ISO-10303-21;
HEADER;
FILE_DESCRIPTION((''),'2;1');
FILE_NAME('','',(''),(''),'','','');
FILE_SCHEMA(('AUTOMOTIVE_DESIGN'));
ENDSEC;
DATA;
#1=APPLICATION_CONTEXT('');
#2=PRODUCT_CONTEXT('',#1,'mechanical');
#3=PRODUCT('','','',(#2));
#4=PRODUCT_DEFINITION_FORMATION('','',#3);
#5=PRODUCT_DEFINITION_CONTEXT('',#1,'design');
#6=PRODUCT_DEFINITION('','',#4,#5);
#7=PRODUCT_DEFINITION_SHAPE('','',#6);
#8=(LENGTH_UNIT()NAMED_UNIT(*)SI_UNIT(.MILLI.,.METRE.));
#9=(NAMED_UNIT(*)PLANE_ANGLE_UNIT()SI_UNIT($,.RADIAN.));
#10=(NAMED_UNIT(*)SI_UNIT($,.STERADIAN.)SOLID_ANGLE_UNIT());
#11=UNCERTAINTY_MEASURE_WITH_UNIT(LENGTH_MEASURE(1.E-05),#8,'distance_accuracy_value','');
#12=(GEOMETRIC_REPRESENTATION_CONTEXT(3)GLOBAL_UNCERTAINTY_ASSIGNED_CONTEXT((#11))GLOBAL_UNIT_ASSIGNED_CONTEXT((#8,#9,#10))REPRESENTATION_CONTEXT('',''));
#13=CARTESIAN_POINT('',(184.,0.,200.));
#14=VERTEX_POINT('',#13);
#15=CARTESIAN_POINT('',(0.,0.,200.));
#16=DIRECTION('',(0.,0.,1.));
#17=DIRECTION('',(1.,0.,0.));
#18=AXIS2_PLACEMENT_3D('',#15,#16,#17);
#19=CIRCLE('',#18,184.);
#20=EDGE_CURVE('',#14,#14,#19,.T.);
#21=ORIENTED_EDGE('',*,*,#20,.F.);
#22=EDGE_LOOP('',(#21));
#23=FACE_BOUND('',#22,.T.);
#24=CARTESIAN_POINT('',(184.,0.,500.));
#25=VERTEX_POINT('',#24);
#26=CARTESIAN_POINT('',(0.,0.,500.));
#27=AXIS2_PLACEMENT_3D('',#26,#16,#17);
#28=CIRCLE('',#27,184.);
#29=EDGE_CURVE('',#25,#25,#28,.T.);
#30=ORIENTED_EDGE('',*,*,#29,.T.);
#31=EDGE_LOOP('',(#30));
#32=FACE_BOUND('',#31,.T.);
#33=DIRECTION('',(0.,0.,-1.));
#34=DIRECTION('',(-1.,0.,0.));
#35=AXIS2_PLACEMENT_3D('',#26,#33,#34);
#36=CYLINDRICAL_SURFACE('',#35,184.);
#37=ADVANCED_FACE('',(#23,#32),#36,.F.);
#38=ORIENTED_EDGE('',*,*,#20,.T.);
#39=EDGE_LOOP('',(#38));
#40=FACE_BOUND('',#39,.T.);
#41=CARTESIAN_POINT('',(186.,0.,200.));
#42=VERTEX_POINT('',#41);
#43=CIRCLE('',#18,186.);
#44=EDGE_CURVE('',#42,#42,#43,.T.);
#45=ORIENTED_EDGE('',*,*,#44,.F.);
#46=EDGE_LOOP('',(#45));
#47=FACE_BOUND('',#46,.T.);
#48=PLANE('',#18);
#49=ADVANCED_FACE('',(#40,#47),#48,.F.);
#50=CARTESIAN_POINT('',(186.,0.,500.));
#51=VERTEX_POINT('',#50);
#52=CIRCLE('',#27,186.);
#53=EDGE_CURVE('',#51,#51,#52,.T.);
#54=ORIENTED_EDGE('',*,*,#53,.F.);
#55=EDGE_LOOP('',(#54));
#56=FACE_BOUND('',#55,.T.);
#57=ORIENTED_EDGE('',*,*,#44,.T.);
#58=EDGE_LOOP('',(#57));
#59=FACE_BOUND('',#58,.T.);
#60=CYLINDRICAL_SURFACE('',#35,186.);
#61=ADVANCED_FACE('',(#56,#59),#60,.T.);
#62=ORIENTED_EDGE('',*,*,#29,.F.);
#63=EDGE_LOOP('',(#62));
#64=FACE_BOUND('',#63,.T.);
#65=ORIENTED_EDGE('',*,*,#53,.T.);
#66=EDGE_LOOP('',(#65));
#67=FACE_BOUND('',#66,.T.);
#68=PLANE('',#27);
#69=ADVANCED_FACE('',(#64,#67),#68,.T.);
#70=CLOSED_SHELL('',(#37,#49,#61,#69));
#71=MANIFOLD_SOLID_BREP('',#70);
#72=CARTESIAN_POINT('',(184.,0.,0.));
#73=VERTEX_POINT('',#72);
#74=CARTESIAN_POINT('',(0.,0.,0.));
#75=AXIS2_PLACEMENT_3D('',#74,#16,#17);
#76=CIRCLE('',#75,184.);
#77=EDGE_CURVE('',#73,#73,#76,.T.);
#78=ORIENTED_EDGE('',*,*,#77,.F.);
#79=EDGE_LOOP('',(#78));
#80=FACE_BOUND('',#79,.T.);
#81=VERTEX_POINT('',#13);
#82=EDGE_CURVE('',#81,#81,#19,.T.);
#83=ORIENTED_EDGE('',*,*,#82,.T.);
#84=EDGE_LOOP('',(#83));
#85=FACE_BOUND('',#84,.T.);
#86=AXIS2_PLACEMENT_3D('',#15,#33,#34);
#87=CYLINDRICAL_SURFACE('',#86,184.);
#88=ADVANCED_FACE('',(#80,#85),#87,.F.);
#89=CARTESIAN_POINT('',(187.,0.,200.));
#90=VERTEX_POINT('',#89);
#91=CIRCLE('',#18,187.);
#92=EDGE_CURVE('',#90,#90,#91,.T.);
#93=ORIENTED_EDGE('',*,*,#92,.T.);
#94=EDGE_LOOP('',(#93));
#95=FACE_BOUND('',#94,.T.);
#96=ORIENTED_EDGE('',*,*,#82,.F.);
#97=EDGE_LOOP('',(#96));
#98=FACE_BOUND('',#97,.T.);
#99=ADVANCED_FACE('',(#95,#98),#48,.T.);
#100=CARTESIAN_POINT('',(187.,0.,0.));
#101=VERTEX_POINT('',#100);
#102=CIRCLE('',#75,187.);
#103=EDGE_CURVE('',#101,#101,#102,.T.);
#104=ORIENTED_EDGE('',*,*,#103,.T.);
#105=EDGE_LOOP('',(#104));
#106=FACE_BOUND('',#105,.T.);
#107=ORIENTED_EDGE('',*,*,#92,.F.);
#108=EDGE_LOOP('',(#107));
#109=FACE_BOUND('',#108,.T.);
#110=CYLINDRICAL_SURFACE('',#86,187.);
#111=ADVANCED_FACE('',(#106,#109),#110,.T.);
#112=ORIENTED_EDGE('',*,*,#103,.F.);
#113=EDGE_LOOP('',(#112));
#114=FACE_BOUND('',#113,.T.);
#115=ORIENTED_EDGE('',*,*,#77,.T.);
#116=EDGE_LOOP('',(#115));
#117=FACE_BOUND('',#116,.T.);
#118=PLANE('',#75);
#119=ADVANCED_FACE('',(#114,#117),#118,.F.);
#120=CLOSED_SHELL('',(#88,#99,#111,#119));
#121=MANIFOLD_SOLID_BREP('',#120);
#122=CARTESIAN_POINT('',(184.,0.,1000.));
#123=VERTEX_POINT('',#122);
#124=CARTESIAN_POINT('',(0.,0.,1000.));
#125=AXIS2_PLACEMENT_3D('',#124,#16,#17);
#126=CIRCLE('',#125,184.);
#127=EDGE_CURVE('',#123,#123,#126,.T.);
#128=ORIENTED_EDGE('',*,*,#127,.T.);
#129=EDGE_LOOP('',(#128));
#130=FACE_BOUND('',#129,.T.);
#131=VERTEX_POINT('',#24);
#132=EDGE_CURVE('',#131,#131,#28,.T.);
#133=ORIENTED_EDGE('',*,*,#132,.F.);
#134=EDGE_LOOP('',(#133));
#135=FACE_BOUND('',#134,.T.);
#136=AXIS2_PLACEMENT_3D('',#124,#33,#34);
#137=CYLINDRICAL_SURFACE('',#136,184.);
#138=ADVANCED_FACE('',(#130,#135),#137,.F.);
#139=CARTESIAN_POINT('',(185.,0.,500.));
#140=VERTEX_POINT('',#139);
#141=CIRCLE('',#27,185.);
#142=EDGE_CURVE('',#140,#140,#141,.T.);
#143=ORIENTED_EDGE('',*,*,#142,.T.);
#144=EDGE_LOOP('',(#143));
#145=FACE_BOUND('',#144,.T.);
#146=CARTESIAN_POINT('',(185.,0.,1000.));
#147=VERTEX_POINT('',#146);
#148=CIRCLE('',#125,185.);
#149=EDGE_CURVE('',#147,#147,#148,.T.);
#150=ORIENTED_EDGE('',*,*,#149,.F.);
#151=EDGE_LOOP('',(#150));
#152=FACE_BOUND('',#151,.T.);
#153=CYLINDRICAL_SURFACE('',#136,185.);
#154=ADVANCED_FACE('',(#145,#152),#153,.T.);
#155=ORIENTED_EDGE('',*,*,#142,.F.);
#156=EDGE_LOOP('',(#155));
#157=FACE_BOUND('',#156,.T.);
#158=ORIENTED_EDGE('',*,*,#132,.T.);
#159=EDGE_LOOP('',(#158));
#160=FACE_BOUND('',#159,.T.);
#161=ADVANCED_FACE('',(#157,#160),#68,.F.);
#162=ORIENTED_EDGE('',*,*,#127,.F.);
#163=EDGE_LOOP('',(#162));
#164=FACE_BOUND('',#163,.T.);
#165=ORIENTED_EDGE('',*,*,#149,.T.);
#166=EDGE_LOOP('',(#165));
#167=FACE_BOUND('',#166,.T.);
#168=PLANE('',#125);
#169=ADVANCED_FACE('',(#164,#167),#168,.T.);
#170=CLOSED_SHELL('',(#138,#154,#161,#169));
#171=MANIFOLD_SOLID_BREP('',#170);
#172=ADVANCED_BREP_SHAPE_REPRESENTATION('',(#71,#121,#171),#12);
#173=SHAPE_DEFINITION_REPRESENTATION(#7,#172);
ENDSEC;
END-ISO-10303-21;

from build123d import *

# Parameters (mm, degrees)
SKETCH2_R           = 187
SKETCH2_R_2         = 184
EXTRUDE_THIN1_DEPTH = 200
SKETCH3_R           = 186
SKETCH3_R_2         = 184
EXTRUDE_THIN2_DEPTH = 300
SKETCH4_R           = 185
SKETCH4_R_2         = 184
EXTRUDE_THIN3_DEPTH = 500


with BuildPart() as part:
    # Sketch2 → Extrude-Thin1 (new body)
    with BuildSketch(Plane.XY):
        Circle(SKETCH2_R)
        Circle(SKETCH2_R_2, mode=Mode.SUBTRACT)
    extrude(amount=EXTRUDE_THIN1_DEPTH)


with BuildPart() as body_2:
    # Sketch3 → Extrude-Thin2 (new body)
    with BuildSketch(Plane.XY.offset(200)):
        Circle(SKETCH3_R)
        Circle(SKETCH3_R_2, mode=Mode.SUBTRACT)
    extrude(amount=EXTRUDE_THIN2_DEPTH)


with BuildPart() as body_3:
    # Sketch4 → Extrude-Thin3 (new body)
    with BuildSketch(Plane.XY.offset(500)):
        Circle(SKETCH4_R)
        Circle(SKETCH4_R_2, mode=Mode.SUBTRACT)
    extrude(amount=EXTRUDE_THIN3_DEPTH)


solid = Compound([part.part, body_2.part, body_3.part])
